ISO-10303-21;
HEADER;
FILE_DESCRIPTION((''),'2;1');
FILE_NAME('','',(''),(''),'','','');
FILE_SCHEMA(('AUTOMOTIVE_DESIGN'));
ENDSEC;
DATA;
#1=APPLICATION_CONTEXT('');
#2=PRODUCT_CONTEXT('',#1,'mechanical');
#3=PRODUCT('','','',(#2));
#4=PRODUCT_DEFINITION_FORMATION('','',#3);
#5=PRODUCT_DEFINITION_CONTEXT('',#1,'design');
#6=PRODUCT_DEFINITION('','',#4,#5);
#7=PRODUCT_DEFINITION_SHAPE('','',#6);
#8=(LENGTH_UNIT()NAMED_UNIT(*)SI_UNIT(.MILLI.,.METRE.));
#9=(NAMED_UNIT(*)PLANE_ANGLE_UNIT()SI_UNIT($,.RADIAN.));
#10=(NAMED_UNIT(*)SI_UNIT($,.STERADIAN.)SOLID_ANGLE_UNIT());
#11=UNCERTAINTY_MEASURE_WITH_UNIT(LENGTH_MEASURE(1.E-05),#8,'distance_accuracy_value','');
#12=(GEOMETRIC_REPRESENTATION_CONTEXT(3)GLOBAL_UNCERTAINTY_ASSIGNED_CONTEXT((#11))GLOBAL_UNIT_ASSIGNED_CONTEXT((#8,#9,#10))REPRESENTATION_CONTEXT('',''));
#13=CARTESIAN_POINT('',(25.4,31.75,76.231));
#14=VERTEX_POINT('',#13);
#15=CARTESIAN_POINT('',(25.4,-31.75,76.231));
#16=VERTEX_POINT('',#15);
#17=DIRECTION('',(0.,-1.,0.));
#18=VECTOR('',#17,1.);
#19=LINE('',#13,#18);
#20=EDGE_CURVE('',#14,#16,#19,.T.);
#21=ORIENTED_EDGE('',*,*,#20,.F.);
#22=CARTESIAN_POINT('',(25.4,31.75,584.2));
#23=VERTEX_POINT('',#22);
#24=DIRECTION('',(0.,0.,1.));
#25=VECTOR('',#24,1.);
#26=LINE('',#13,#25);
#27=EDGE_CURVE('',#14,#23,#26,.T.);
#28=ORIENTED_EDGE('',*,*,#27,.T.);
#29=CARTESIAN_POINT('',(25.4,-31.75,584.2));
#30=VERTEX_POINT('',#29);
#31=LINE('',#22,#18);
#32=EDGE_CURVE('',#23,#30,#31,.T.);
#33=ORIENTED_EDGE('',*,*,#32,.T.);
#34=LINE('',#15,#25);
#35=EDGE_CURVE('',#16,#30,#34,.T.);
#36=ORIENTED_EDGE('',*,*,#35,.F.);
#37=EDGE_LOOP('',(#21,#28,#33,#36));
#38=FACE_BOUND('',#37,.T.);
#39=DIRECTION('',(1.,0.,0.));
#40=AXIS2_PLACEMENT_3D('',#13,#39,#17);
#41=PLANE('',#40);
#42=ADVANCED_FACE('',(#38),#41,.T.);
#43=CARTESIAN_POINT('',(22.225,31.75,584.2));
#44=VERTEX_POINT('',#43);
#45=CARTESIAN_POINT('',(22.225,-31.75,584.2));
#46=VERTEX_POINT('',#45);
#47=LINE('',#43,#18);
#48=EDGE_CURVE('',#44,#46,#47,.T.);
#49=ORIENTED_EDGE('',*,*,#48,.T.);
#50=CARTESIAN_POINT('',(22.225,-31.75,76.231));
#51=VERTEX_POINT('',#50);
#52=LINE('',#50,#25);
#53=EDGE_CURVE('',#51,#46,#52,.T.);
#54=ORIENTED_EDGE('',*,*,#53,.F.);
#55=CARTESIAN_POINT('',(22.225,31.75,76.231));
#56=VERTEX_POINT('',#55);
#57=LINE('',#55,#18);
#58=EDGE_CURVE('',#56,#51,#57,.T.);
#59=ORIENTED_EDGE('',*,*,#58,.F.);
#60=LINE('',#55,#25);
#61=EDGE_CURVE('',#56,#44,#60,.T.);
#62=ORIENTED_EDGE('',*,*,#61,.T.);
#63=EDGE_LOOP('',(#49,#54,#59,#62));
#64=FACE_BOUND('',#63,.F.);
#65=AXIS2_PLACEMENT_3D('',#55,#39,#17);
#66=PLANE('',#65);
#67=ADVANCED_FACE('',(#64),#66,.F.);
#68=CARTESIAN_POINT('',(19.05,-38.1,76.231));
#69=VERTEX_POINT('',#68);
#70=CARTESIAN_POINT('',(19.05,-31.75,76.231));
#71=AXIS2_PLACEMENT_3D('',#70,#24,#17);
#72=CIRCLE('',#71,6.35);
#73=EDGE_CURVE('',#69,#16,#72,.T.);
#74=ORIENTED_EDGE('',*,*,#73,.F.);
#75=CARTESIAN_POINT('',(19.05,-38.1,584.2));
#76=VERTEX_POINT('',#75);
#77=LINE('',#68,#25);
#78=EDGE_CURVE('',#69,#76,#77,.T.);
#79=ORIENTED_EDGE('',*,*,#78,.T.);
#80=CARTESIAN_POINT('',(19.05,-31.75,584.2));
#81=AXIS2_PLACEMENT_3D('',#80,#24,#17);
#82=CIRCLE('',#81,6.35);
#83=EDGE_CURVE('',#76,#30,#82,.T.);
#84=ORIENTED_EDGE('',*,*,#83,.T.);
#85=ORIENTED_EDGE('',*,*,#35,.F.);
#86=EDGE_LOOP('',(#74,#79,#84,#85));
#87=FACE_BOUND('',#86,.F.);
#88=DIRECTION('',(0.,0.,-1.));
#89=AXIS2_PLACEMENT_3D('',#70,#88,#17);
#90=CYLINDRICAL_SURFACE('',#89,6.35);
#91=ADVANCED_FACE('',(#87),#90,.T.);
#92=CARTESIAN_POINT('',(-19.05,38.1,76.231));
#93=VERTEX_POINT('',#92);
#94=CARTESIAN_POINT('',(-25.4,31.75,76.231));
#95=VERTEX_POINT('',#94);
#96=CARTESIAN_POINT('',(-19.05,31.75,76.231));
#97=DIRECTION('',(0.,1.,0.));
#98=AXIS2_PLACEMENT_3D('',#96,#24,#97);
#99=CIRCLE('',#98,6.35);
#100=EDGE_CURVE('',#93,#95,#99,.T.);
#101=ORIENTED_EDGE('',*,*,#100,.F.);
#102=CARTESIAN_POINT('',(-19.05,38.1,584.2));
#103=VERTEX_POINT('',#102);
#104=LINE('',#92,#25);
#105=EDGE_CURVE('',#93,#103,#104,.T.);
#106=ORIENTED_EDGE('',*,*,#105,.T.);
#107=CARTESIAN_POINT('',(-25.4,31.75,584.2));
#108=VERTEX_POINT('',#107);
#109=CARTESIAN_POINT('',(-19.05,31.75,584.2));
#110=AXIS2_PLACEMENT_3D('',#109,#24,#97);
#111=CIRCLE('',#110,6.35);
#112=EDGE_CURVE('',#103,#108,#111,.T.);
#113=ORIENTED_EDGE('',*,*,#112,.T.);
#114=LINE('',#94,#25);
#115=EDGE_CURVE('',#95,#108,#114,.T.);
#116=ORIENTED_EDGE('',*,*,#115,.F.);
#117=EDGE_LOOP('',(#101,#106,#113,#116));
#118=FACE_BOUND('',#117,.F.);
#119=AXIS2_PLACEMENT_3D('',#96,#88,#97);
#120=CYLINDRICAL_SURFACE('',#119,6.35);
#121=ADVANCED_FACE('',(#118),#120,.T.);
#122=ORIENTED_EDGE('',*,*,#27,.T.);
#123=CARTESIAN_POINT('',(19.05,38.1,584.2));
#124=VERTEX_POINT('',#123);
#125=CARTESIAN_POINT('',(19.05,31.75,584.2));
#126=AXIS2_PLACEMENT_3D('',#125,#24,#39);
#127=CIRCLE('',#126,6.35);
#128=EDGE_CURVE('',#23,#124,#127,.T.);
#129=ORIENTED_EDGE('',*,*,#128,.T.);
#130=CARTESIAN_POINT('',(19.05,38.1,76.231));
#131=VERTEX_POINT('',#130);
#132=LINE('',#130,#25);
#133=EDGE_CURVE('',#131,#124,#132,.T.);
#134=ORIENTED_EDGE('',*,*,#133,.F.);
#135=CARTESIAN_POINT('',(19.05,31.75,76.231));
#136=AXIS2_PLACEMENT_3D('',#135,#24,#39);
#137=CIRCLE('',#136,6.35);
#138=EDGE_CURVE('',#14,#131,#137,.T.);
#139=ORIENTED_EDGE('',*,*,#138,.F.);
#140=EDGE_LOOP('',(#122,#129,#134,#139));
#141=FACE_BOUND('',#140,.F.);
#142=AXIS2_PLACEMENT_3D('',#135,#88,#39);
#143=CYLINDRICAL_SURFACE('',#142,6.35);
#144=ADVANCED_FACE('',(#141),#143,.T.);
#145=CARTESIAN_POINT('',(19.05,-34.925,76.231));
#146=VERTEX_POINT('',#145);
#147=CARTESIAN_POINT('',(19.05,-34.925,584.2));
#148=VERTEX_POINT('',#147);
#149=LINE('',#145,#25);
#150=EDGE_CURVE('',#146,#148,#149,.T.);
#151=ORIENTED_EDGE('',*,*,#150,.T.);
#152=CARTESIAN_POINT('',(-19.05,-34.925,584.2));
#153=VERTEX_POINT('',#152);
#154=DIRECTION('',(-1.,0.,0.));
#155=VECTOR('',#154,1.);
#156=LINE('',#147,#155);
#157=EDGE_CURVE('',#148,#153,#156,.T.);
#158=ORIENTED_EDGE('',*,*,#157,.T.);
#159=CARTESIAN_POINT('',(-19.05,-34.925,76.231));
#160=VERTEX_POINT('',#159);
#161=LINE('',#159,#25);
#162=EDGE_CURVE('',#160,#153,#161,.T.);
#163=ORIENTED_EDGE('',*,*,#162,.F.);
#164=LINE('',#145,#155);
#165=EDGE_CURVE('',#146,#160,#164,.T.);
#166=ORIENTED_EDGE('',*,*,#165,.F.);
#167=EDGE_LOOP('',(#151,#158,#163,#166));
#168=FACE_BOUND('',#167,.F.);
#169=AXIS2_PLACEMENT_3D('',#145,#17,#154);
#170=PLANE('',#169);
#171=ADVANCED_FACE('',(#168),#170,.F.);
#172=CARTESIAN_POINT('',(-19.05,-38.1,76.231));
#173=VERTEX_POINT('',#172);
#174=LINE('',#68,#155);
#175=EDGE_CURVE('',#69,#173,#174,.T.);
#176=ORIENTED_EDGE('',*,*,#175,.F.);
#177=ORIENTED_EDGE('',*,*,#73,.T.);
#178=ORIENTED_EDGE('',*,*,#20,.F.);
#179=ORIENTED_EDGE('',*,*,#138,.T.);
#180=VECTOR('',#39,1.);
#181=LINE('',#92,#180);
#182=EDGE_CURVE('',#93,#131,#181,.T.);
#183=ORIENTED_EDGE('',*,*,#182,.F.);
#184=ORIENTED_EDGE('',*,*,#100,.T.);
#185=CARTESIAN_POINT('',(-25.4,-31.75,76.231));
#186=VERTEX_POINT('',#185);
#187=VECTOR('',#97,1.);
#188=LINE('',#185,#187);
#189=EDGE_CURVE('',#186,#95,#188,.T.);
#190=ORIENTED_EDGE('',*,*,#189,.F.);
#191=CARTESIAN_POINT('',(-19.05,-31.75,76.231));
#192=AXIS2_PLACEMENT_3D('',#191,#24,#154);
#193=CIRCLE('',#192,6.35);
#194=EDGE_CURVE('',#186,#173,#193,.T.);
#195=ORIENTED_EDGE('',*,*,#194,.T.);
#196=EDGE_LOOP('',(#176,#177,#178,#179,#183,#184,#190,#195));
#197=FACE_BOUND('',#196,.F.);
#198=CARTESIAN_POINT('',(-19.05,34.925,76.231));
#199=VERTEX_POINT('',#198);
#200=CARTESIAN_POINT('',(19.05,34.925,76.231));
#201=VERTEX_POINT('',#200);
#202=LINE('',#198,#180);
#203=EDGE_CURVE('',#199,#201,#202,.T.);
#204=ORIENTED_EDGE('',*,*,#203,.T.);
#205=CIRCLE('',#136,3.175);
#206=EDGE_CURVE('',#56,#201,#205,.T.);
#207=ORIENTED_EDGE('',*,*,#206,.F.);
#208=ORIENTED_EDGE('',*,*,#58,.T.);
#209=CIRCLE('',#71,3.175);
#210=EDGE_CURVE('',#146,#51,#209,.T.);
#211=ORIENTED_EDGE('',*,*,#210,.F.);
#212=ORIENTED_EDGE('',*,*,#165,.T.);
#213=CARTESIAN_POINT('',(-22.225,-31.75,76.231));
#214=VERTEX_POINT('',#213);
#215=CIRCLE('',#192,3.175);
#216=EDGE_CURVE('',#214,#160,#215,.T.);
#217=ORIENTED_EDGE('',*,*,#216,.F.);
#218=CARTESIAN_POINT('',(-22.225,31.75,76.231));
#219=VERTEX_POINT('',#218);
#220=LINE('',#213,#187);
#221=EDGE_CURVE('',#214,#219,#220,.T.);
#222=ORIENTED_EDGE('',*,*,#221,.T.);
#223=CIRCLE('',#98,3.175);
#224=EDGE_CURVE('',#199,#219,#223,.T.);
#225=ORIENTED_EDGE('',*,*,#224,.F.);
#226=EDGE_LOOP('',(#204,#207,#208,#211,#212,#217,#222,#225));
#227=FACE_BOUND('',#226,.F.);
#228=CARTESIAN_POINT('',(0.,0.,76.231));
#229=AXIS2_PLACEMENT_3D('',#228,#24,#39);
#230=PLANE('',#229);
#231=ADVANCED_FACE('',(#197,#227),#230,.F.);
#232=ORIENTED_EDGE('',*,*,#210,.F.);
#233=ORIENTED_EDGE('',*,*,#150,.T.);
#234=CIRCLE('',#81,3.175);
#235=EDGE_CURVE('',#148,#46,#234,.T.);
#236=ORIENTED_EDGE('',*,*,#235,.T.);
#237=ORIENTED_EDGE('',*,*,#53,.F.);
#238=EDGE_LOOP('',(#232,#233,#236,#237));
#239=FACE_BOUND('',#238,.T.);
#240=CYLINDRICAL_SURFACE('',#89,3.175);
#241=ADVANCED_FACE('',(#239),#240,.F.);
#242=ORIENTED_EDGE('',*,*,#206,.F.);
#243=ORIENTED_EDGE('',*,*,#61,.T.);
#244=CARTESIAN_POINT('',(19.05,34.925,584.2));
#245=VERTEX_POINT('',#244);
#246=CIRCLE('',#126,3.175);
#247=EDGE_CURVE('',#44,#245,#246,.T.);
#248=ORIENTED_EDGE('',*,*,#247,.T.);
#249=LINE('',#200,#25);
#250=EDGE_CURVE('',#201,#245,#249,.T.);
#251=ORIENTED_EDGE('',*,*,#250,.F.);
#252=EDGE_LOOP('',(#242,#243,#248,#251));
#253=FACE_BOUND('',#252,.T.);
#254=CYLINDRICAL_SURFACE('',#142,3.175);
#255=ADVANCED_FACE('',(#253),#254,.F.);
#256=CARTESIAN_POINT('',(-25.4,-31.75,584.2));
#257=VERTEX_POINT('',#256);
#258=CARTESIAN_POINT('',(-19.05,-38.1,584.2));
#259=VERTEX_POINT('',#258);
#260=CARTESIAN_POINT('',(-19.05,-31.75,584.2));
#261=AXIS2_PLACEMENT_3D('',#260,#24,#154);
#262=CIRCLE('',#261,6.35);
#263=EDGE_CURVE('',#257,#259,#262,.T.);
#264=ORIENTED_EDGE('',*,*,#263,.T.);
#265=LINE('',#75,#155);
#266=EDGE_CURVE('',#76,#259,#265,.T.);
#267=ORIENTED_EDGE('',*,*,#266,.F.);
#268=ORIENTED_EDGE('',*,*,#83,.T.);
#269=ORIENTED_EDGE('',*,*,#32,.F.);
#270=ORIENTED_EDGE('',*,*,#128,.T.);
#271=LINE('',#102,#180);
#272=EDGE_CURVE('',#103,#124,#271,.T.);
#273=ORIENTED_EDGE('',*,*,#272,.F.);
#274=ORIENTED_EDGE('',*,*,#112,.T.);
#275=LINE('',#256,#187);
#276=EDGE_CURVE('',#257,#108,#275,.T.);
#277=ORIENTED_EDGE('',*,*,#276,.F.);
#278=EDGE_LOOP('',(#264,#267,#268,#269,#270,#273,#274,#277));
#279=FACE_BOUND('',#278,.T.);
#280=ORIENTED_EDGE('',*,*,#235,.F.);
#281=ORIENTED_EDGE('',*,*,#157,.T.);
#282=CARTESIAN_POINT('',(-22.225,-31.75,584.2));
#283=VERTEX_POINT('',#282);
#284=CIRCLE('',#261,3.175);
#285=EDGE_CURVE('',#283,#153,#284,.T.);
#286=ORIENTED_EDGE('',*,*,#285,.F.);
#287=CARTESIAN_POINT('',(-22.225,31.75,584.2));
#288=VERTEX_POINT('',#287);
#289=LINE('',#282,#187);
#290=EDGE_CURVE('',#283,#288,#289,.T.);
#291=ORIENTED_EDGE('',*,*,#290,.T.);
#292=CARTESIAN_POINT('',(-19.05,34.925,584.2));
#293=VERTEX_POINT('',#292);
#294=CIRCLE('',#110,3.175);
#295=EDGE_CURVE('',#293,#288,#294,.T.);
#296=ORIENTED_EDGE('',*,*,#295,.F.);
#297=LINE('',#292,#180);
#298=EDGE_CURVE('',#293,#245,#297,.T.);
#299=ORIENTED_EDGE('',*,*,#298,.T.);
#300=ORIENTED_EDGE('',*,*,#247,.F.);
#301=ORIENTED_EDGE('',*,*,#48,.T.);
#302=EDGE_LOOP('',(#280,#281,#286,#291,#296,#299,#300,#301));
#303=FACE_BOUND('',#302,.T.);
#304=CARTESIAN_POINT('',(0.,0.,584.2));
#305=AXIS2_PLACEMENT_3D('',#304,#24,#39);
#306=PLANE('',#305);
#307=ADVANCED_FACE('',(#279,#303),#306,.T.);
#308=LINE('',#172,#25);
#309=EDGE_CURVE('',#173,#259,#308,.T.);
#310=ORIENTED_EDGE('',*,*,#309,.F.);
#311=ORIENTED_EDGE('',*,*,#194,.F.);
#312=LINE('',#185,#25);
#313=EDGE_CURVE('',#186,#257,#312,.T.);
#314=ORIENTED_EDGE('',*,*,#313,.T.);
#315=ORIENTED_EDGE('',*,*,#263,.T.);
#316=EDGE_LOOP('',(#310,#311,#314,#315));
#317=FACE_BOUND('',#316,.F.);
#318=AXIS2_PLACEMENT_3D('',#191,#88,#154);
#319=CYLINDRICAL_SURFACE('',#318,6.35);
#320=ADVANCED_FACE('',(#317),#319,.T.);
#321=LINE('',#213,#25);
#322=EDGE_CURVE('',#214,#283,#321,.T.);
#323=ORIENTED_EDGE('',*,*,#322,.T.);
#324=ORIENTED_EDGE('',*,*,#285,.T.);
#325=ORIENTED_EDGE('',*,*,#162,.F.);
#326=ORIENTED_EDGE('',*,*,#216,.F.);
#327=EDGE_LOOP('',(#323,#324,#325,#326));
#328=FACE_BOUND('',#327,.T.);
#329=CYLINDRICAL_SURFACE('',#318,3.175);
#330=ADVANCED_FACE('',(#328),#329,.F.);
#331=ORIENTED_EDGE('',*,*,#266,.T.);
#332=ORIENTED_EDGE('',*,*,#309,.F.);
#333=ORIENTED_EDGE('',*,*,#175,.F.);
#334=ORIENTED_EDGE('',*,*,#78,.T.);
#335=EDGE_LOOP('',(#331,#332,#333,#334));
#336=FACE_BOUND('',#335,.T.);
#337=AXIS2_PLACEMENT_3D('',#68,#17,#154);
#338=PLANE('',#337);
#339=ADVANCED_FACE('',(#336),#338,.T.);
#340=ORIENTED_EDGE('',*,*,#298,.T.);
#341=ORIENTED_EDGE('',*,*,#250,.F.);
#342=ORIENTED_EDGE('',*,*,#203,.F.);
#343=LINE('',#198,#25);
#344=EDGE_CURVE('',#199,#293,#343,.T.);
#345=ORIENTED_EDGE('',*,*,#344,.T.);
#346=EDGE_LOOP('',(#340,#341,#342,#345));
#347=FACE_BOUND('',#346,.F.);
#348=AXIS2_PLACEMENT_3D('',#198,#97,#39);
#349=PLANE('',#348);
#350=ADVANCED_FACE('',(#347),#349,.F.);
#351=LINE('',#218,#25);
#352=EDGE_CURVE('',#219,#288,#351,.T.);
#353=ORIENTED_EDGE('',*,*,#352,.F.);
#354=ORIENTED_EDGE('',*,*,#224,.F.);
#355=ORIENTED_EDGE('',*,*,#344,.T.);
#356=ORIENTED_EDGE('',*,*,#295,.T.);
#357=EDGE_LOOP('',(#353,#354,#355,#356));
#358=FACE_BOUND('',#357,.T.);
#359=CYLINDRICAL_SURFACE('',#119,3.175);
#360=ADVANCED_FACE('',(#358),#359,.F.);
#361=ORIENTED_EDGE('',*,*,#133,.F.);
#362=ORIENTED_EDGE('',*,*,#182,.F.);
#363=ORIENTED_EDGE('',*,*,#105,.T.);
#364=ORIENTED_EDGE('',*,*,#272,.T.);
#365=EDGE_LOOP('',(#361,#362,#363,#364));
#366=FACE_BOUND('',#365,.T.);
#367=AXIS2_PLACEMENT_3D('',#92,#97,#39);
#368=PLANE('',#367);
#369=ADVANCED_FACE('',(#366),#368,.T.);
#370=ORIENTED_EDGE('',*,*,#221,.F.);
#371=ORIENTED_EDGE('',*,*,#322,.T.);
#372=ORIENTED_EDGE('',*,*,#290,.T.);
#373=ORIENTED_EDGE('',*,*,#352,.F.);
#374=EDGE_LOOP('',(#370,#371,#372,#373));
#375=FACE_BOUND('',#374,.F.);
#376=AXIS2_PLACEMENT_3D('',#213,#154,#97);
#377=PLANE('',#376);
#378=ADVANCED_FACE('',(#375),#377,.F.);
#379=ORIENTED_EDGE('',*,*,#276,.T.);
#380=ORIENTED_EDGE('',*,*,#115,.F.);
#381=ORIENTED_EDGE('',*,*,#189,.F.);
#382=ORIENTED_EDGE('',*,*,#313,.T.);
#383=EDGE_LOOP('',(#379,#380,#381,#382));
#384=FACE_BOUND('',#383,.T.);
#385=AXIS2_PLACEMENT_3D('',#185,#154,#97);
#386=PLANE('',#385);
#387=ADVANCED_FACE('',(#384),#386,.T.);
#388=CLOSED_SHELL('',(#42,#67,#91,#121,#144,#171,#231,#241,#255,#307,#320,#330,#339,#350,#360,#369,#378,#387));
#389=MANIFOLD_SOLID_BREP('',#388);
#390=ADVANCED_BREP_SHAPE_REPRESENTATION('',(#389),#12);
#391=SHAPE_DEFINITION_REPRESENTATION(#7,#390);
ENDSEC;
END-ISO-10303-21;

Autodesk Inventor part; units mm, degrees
ref_plane "Start Plane" through (0, 0, 76.231) normal (0, 0, 1) x (1, 0, 0)
ref_plane "End Plane" through (0, 0, 584.2) normal (0, 0, 1) x (1, 0, 0)
sketch "Sketch" plane through (0, 0, 0) normal (0, 0, 1) x (1, 0, 0)
  line L0 (-25.4, -31.75) -> (-25.4, 31.75)
  line L1 (-19.05, 38.1) -> (19.05, 38.1)
  line L2 (25.4, 31.75) -> (25.4, -31.75)
  line L3 (19.05, -38.1) -> (-19.05, -38.1)
  arc A0 (-25.4, -31.75) -> (-19.05, -38.1) centre (-19.05, -31.75) ccw
  arc A1 (-19.05, 38.1) -> (-25.4, 31.75) centre (-19.05, 31.75) ccw
  arc A2 (25.4, 31.75) -> (19.05, 38.1) centre (19.05, 31.75) ccw
  arc A3 (19.05, -38.1) -> (25.4, -31.75) centre (19.05, -31.75) ccw
  arc A4 (-19.05, 34.925) -> (-22.225, 31.75) centre (-19.05, 31.75) ccw
  line L4 (-19.05, 34.925) -> (19.05, 34.925)
  arc A5 (22.225, 31.75) -> (19.05, 34.925) centre (19.05, 31.75) ccw
  line L5 (22.225, 31.75) -> (22.225, -31.75)
  arc A6 (19.05, -34.925) -> (22.225, -31.75) centre (19.05, -31.75) ccw
  line L6 (19.05, -34.925) -> (-19.05, -34.925)
  arc A7 (-22.225, -31.75) -> (-19.05, -34.925) centre (-19.05, -31.75) ccw
  line L7 (-22.225, -31.75) -> (-22.225, 31.75)
  line L8 (0, 55.1812) -> (0, -55.1812) construction
  line L9 (-37.4012, 0) -> (37.4012, 0) construction
  dimension "d10" = 76.2
  dimension "d11" = 50.8
  dimension "d12" = 3.175
  dimension "d15" = 38.1
  dimension "d16" = 25.4
  dimension "d17" = 6.35
extrude "Body" add sketch "Sketch" along normal up to surface (507.969 mm away) from surface at 76.231
sketch "Sketch3" plane through (0, 0, 0) normal (0, 0, 1) x (1, 0, 0)
  line L0 (0, 0) -> (10, 0)
ref_plane "Work Plane3" through (0, 0, 0) normal (0, -1, 0) x (1, 0, 0)
ref_plane "Work Plane4" through (-25.4, -38.131, 584.2) normal (0, 0, 1) x (1, 0, 0)
split "Split1" plane through (-25.4, -38.131, 584.2) removes the side toward (0, 0, 1)
ref_plane "Work Plane5" through (0, -1230.9, 76.231) normal (0, 0, -1) x (-1, 0, 0)
split "Split2" plane through (0, -1230.9, 76.231) removes the side toward (0, 0, -1)
sketch "Sketch4" plane through (0, 0, 0) normal (0, -1, 0) x (1, 0, 0)
  line L0 (-2, 76.231) -> (12, 76.231) projected
  line L1 (-2, 584.2) -> (12, 584.2) projected
  dimension "d19" = 507.969
equation "\"d10\" = G_H"
equation "\"d11\" = G_W"
equation "\"d12\" = G_T"
equation "\"d15\" = 0.5 * d10"
equation "\"d16\" = 0.5 * d11"
equation "\"d17\" = G_IR"
equation "\"G_W\" = 50.8"
equation "\"G_H\" = 76.2"
equation "\"G_T\" = 3.175"
equation "\"G_IR\" = 6.35"
equation "\"G_L\" = d19"
equation "\"G_OFFSET_START\" = -76.231"
equation "\"G_OFFSET_END\" = 0"
equation "\"d13\" = -G_OFFSET_START"
equation "\"d14\" = G_OFFSET_END + B_L"
equation "\"B_L\" = 584.2"
properties part number "AISC - 3 x 2 x 1/8 - 19.999" material "Steel, Mild"
